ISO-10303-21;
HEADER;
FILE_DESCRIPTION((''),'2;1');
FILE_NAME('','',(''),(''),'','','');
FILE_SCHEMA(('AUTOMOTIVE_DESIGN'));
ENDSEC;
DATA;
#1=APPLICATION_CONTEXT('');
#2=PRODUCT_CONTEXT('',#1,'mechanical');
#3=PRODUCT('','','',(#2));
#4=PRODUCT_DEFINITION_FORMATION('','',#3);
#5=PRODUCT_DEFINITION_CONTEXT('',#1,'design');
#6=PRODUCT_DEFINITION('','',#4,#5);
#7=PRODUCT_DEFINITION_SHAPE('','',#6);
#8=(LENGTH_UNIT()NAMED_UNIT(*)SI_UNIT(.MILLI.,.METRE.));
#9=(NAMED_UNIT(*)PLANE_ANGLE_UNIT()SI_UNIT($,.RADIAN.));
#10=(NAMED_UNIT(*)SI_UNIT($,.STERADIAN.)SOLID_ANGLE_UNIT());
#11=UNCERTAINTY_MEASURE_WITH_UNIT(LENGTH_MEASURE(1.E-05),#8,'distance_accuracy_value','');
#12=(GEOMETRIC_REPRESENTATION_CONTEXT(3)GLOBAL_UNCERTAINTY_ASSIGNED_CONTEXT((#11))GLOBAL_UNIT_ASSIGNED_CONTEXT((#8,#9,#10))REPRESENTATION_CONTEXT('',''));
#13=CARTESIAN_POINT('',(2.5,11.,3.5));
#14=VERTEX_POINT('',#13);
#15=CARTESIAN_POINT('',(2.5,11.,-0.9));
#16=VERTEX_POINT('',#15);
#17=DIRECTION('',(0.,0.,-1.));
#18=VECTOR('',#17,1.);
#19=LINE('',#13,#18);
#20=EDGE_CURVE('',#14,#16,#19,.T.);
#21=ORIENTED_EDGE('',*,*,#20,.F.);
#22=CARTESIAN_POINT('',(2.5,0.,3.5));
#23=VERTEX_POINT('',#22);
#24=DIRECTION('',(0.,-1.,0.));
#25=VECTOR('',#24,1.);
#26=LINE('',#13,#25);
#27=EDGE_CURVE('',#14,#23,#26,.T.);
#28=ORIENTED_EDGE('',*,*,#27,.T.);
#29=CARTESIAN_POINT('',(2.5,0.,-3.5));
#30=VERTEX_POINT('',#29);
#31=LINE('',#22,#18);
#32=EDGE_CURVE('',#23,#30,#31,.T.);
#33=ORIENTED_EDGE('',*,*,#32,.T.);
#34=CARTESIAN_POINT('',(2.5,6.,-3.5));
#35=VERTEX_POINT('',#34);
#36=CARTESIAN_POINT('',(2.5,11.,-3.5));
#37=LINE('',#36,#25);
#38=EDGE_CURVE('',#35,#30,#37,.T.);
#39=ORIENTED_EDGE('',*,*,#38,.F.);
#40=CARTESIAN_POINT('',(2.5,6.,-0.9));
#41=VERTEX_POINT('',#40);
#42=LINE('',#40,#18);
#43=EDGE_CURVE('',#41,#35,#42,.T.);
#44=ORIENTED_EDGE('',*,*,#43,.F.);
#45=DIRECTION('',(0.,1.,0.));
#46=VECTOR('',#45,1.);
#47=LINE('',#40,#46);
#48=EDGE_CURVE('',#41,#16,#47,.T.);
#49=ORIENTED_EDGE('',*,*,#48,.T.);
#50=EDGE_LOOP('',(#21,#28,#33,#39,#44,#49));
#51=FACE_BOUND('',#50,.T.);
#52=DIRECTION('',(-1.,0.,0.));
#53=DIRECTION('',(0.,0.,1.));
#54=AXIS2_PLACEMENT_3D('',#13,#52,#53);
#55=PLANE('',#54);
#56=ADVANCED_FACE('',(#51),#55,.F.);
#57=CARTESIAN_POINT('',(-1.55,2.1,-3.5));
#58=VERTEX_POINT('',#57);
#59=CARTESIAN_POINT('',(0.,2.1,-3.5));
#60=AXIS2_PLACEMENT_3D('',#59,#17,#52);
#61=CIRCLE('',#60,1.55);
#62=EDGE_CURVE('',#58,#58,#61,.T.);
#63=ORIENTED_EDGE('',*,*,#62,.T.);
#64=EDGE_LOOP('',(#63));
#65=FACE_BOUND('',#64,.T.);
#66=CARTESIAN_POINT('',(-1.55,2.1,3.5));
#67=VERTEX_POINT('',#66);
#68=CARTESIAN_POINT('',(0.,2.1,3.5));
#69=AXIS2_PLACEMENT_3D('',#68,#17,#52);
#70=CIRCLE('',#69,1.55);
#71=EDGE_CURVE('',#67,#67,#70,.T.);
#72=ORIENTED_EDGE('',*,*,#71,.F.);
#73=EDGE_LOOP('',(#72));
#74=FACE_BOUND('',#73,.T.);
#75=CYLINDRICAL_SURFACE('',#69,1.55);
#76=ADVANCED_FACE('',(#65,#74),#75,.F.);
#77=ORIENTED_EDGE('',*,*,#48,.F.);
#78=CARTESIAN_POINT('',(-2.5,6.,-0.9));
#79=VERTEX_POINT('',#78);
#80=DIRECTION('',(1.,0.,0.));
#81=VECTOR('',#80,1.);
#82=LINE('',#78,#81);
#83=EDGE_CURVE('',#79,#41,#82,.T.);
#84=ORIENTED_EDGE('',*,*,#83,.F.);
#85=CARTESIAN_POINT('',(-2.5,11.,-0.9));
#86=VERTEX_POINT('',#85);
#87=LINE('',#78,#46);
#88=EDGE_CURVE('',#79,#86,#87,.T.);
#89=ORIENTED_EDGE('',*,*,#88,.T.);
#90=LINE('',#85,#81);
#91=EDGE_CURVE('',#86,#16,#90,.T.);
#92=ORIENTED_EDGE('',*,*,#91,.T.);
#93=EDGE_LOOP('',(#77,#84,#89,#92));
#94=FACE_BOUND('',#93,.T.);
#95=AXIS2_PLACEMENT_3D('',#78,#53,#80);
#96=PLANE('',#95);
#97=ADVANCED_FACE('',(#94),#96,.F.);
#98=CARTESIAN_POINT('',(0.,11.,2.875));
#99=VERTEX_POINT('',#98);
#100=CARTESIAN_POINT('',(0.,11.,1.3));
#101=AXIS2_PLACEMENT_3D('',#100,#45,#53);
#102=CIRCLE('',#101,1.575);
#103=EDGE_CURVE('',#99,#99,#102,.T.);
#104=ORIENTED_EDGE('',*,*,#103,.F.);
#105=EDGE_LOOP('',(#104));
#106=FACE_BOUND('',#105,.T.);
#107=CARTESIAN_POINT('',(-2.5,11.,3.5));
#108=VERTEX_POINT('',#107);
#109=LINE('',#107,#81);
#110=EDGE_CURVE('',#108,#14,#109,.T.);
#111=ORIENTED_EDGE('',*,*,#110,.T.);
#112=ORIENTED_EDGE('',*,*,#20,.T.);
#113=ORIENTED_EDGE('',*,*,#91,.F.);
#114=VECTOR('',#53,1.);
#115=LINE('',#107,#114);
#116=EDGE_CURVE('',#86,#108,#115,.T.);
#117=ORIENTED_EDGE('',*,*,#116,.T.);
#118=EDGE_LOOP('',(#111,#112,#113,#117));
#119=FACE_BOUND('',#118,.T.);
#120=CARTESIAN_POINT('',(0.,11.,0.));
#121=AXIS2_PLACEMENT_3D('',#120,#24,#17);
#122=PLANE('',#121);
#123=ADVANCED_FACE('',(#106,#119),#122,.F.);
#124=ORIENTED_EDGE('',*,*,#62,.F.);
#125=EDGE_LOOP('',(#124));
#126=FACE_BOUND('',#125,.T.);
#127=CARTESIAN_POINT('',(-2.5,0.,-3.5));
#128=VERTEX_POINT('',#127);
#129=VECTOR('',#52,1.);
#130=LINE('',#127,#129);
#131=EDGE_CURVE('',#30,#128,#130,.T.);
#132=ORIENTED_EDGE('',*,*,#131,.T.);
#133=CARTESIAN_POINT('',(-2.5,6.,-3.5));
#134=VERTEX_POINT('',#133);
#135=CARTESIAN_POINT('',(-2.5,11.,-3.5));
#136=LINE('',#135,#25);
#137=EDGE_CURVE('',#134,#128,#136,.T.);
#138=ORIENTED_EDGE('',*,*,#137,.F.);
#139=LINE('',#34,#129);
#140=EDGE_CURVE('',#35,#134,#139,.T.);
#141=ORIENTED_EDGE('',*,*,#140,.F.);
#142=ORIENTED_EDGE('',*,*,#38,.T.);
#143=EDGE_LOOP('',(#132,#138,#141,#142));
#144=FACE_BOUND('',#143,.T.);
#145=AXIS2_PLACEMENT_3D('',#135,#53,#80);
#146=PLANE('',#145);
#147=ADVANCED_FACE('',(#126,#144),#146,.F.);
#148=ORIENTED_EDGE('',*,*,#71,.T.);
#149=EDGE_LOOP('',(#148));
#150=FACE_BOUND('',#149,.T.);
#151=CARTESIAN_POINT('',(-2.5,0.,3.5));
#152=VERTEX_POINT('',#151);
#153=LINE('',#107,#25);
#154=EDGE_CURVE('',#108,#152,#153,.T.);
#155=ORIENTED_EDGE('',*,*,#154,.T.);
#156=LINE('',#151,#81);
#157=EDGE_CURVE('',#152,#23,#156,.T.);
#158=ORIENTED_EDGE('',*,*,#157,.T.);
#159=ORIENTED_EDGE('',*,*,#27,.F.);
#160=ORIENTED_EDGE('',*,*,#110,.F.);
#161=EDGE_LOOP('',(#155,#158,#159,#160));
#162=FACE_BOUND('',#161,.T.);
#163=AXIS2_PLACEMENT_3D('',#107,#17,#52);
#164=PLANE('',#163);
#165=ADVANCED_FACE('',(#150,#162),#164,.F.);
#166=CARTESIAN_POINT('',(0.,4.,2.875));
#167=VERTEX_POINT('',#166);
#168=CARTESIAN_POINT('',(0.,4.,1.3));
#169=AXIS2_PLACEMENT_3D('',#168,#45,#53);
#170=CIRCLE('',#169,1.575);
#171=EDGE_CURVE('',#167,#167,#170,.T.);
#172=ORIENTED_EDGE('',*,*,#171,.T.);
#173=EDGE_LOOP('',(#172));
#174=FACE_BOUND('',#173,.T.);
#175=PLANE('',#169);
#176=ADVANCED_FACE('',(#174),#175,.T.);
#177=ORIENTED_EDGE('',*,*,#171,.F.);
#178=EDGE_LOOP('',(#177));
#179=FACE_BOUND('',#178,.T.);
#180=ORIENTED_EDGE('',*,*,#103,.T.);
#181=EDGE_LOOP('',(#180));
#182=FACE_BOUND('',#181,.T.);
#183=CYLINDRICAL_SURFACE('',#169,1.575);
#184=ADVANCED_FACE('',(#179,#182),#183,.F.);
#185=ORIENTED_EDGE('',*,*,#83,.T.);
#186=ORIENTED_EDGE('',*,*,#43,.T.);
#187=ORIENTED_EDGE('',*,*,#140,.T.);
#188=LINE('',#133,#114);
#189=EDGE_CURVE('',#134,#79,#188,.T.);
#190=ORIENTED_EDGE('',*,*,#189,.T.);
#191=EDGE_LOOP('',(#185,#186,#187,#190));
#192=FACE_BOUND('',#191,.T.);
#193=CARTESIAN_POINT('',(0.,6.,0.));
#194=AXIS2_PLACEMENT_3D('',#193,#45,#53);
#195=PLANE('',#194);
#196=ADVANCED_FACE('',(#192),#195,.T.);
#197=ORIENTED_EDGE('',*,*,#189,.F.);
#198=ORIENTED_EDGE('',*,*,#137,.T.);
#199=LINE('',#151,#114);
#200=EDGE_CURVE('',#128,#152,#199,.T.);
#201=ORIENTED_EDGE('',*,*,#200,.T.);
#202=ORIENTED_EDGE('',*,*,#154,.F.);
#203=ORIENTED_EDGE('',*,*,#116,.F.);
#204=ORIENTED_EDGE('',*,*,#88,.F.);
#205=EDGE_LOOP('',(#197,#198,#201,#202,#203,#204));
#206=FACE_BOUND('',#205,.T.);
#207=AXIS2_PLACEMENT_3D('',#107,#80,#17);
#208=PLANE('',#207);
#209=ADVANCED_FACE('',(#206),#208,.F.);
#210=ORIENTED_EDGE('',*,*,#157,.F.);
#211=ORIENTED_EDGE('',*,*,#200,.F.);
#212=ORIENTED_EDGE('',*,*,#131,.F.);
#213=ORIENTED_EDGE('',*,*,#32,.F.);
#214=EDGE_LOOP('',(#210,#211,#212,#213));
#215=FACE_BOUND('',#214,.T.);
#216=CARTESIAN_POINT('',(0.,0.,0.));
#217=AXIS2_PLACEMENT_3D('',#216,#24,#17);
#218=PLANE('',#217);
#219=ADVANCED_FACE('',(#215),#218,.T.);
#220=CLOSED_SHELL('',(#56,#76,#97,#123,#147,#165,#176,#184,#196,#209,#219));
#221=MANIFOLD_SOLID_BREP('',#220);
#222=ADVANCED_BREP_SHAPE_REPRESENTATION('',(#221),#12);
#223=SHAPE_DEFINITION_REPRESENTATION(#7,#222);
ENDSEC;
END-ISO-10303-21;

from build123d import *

# Parameters (mm, degrees)
SKETCH_1_W          = 5
SKETCH_1_H          = 7
EXTRUDE_1_DEPTH     = 11
SKETCH_3_R          = 1.575
CUT_EXTRUDE_1_DEPTH = 7
SKETCH_4_R          = 1.55
CUT_EXTRUDE_2_DEPTH = 7
SKETCH_5_W          = 5
SKETCH_5_H          = 2.6
CUT_EXTRUDE_3_DEPTH = 5


with BuildPart() as part:
    # Эскиз1 → Бобышка-Вытянуть1 (new body)
    with BuildSketch(Plane(origin=(0, 0, 0), x_dir=(1, 0, 0), z_dir=(0, 1, 0))):
        Rectangle(SKETCH_1_W, SKETCH_1_H)
    extrude(amount=EXTRUDE_1_DEPTH)

    # Эскиз3 → Вырез-Вытянуть1 (cut)
    with BuildSketch(Plane(origin=(0, 11, 0), x_dir=(1, 0, 0), z_dir=(0, 1, 0))):
        with Locations(Location((0, -1.3, 0), (0, 0, 270))):
            Circle(SKETCH_3_R)
    extrude(amount=-CUT_EXTRUDE_1_DEPTH, mode=Mode.SUBTRACT)

    # Эскиз4 → Вырез-Вытянуть2 (cut)
    with BuildSketch(Plane(origin=(0, 0, -3.5), x_dir=(-1, 0, 0), z_dir=(0, 0, -1))):
        with Locations((0, 2.1)):
            Circle(SKETCH_4_R)
    extrude(amount=-CUT_EXTRUDE_2_DEPTH, mode=Mode.SUBTRACT)

    # Эскиз5 → Вырез-Вытянуть3 (cut)
    with BuildSketch(Plane(origin=(0, 11, 0), x_dir=(1, 0, 0), z_dir=(0, 1, 0))):
        with Locations((0, 2.2)):
            Rectangle(SKETCH_5_W, SKETCH_5_H)
    extrude(amount=-CUT_EXTRUDE_3_DEPTH, mode=Mode.SUBTRACT)


solid = part.part
